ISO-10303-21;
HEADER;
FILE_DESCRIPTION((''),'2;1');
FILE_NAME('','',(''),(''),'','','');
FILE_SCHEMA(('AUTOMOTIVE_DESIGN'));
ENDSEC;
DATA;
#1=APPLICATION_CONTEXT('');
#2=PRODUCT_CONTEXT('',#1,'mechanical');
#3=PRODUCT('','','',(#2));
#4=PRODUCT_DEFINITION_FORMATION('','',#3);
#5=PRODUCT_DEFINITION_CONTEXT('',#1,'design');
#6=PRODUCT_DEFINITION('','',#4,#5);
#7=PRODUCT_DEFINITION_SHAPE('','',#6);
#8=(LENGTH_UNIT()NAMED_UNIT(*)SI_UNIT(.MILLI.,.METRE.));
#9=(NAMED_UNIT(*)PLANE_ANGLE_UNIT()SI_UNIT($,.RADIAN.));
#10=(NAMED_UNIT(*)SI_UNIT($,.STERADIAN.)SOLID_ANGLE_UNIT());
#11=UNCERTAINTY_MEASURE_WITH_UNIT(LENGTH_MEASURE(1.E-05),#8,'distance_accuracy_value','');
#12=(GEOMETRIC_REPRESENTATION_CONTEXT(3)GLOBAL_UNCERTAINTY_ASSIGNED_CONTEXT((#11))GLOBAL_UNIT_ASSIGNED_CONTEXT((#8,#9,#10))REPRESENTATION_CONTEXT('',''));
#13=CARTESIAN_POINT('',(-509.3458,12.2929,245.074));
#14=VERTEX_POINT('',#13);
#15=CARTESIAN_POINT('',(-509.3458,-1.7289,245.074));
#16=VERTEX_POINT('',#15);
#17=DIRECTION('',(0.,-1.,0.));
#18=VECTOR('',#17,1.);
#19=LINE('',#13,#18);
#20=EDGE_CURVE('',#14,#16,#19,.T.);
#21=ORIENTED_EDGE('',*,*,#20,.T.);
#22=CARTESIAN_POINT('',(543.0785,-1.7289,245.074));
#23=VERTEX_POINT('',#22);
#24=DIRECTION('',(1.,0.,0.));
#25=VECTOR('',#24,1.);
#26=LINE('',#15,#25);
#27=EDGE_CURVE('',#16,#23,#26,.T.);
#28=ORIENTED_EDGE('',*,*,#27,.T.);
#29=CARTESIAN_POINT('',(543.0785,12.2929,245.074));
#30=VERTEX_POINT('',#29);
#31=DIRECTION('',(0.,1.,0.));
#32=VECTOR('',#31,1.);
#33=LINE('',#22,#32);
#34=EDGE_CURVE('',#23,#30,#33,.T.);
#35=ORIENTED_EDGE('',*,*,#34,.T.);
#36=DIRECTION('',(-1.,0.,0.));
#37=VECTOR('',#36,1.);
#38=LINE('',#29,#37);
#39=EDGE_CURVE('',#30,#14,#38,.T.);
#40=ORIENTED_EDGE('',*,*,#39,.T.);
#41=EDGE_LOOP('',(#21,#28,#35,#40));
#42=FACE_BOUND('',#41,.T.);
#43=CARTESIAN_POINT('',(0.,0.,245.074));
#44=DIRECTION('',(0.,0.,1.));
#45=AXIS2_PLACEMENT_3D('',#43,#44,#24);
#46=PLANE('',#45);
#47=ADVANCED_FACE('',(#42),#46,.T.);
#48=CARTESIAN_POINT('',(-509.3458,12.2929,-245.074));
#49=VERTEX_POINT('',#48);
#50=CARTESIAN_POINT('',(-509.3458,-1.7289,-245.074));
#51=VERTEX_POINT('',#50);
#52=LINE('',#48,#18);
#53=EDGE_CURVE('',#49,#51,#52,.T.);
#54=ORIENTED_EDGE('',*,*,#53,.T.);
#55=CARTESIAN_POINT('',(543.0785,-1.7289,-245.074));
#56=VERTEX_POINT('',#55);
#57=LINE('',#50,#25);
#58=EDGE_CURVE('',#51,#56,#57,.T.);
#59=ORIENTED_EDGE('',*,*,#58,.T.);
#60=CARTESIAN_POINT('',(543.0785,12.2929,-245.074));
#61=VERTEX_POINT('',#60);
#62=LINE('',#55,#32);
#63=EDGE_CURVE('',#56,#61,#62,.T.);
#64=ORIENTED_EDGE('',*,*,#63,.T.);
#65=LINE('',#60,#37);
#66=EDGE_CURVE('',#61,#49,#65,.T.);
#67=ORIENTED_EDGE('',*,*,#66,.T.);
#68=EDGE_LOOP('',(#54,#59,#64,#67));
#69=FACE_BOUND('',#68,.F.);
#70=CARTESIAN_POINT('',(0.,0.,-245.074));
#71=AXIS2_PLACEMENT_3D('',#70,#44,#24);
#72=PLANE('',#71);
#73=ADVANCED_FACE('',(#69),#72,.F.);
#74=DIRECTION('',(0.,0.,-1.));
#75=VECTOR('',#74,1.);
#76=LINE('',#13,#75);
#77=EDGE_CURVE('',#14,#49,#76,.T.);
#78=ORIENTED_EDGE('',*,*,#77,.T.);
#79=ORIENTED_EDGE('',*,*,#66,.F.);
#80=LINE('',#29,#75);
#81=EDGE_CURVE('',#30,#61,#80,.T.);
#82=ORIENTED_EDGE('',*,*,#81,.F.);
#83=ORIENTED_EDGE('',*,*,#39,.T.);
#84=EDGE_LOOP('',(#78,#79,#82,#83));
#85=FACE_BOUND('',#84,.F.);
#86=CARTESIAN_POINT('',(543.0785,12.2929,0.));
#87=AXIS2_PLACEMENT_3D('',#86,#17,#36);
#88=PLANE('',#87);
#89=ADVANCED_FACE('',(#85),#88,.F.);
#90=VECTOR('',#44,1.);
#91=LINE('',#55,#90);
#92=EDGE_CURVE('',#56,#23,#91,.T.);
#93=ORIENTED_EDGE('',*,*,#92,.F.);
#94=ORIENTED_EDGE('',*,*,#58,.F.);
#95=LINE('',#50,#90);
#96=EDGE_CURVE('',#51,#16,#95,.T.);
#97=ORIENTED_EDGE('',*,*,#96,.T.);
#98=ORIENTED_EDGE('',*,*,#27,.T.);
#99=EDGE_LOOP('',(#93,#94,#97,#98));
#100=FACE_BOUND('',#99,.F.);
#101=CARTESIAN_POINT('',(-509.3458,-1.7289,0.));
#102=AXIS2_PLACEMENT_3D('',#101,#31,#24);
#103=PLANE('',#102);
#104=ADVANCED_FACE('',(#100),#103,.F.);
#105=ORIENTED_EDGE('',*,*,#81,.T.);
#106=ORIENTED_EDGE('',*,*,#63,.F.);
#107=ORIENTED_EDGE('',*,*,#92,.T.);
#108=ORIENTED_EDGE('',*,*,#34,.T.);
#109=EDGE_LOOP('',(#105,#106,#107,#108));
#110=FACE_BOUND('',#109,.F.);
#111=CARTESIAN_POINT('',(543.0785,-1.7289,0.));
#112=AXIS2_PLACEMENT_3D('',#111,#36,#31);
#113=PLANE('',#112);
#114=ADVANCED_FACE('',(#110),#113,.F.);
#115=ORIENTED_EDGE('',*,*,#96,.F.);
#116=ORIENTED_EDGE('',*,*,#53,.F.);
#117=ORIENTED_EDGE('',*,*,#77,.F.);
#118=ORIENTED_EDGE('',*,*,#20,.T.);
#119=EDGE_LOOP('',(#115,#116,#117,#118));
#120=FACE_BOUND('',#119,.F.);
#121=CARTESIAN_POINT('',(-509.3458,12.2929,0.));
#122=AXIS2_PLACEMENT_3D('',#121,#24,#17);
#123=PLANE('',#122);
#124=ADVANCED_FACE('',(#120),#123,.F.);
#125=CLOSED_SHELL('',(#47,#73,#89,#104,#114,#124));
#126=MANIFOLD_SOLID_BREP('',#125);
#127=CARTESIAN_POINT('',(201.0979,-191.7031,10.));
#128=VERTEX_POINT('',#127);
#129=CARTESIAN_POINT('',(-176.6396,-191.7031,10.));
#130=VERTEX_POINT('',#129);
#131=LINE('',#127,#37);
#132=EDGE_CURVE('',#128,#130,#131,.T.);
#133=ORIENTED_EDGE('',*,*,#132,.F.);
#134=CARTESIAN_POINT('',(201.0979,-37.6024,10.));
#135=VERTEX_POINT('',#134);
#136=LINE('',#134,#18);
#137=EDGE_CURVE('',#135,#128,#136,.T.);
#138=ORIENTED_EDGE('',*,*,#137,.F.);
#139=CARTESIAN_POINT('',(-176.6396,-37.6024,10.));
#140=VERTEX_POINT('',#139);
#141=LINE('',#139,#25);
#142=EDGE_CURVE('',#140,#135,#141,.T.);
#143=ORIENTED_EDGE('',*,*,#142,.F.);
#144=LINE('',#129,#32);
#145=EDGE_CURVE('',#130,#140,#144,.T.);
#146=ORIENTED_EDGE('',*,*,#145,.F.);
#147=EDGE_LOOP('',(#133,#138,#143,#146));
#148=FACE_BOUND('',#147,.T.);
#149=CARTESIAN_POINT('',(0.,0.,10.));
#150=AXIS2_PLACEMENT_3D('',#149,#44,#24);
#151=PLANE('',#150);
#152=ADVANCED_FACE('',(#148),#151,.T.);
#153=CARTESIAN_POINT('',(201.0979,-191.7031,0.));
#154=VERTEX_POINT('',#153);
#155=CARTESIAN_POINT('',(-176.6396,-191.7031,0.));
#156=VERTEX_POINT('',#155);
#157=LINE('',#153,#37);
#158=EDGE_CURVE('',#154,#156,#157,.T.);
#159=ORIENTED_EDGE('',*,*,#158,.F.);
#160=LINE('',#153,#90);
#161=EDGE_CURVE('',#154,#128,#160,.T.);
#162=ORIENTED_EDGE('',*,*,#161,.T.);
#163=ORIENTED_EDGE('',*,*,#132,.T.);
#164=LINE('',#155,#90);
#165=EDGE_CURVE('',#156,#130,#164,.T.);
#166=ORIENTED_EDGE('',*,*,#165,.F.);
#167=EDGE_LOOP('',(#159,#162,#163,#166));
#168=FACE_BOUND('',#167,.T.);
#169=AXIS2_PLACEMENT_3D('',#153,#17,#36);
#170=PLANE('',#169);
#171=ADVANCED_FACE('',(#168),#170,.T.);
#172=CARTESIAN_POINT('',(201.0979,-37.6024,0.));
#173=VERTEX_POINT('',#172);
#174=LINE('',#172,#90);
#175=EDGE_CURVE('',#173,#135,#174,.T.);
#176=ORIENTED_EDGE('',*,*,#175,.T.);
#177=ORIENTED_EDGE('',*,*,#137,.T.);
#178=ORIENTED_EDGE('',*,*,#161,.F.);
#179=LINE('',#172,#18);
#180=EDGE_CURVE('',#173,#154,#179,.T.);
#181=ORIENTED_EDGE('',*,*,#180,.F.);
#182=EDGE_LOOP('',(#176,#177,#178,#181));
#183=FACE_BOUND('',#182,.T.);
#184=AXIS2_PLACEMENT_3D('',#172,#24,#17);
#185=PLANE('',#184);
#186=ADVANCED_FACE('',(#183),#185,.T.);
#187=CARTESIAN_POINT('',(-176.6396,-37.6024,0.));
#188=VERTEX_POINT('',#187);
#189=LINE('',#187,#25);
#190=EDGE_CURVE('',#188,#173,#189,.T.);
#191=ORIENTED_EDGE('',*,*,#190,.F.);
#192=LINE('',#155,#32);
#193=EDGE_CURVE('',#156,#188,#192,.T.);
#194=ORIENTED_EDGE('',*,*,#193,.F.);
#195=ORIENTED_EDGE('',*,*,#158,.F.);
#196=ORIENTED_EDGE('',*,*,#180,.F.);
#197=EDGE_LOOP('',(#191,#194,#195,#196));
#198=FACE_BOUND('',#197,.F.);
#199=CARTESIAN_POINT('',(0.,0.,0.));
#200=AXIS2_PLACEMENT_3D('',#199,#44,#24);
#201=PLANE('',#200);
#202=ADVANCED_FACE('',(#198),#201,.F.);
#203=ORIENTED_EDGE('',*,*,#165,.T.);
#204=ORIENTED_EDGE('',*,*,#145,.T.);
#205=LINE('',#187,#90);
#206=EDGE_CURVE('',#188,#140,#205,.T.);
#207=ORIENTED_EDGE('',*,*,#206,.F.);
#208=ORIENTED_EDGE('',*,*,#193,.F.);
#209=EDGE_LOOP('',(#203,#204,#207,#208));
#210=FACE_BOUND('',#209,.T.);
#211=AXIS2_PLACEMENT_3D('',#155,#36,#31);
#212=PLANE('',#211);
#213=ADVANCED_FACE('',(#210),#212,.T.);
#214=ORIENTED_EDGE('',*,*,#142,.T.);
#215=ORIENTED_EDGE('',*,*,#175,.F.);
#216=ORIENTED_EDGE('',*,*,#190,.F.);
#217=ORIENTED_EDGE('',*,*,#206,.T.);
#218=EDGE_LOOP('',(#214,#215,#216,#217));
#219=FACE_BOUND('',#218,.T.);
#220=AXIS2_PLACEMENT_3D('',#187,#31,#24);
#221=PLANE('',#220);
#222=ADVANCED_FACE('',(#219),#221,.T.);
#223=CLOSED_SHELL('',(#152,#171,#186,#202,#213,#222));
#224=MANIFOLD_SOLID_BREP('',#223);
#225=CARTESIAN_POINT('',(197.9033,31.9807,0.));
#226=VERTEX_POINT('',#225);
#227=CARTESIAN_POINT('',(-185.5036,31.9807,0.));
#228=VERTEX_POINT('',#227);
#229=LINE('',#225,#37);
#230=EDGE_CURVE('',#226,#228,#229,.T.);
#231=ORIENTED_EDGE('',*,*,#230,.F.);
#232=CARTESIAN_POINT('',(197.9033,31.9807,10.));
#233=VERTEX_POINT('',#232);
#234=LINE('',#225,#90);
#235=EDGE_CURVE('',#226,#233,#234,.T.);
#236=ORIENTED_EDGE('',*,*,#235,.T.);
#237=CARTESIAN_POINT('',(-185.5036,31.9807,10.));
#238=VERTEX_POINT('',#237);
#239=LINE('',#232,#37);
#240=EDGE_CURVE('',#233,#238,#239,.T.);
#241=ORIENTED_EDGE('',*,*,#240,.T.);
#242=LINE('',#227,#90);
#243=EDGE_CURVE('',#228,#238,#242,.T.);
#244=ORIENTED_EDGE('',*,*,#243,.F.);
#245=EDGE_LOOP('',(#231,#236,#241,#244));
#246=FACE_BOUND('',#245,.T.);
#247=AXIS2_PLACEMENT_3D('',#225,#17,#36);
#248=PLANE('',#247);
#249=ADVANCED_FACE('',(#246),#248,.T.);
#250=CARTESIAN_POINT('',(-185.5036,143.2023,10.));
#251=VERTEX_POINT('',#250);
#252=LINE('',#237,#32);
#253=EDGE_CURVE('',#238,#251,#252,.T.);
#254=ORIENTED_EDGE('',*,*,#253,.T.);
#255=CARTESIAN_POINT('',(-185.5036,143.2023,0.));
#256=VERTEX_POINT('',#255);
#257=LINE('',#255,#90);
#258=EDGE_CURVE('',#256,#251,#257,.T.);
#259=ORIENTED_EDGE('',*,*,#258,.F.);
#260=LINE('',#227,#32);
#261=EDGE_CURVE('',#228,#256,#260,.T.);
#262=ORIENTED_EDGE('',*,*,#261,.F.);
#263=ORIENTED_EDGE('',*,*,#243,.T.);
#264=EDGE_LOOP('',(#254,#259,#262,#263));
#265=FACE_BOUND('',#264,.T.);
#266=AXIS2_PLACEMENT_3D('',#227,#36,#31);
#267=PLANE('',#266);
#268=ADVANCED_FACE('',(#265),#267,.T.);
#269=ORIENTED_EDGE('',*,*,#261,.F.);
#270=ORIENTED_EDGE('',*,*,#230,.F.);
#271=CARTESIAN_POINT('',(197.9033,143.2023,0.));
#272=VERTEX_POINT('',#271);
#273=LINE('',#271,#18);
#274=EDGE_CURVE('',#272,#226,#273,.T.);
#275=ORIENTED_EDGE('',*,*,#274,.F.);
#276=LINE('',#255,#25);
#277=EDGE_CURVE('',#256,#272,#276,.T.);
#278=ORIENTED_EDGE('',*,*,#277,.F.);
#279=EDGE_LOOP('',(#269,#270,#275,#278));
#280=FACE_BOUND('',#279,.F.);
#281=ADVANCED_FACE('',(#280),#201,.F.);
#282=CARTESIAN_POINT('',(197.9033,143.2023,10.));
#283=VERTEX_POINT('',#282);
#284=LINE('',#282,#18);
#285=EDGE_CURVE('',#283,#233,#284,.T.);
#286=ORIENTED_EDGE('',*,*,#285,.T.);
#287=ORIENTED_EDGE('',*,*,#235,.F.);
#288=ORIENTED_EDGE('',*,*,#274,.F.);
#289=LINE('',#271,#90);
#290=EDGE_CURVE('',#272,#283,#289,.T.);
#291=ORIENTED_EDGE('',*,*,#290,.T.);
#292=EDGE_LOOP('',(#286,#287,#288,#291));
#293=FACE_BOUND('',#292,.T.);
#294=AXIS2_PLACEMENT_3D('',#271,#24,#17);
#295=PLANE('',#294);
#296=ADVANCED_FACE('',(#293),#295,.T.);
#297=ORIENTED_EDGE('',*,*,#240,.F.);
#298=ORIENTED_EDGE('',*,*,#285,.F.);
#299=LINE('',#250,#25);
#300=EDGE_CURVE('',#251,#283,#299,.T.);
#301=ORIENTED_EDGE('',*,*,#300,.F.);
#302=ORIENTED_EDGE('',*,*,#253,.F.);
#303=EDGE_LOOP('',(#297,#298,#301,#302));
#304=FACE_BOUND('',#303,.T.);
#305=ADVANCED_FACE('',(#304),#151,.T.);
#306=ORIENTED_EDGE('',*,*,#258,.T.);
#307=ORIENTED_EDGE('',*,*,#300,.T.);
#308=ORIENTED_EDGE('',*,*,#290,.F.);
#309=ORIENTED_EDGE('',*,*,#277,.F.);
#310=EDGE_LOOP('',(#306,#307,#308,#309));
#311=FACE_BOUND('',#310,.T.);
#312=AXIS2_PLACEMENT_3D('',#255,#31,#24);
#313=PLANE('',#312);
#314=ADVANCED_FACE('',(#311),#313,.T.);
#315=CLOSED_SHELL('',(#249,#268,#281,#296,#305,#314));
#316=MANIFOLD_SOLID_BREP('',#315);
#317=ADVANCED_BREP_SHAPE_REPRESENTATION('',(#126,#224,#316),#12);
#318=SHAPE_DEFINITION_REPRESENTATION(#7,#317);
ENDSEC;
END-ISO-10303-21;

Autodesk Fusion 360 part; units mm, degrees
sketch "Sketch1" plane through (0, 0, 0) normal (0, 0, 1) x (1, 0, 0)
  line L0 (-185.5036, 143.2023) -> (197.9033, 143.2023)
  line L1 (197.9033, 143.2023) -> (197.9033, 31.9807)
  line L2 (197.9033, 31.9807) -> (-185.5036, 31.9807)
  line L3 (-185.5036, 31.9807) -> (-185.5036, 143.2023)
  line L4 (-509.3458, -1.7289) -> (543.0785, -1.7289)
  line L5 (543.0785, -1.7289) -> (543.0785, 12.2929)
  line L6 (543.0785, 12.2929) -> (-509.3458, 12.2929)
  line L7 (-509.3458, 12.2929) -> (-509.3458, -1.7289)
  line L8 (-176.6396, -37.6024) -> (201.0979, -37.6024)
  line L9 (201.0979, -37.6024) -> (201.0979, -191.7031)
  line L10 (201.0979, -191.7031) -> (-176.6396, -191.7031)
  line L11 (-176.6396, -191.7031) -> (-176.6396, -37.6024)
extrude "Extrude1" add sketch "Sketch1" along normal blind 10 contours L0 L1 L2 L3 | L8 L9 L10 L11 makes body 1 at (-57.7013, 106.1284, 0) makes body 2 at (-50.7271, -140.3362, 0)
extrude "Extrude2" add sketch "Sketch1" along normal mid plane 490.148 separate body contours L4 L5 L6 L7 makes body 3
